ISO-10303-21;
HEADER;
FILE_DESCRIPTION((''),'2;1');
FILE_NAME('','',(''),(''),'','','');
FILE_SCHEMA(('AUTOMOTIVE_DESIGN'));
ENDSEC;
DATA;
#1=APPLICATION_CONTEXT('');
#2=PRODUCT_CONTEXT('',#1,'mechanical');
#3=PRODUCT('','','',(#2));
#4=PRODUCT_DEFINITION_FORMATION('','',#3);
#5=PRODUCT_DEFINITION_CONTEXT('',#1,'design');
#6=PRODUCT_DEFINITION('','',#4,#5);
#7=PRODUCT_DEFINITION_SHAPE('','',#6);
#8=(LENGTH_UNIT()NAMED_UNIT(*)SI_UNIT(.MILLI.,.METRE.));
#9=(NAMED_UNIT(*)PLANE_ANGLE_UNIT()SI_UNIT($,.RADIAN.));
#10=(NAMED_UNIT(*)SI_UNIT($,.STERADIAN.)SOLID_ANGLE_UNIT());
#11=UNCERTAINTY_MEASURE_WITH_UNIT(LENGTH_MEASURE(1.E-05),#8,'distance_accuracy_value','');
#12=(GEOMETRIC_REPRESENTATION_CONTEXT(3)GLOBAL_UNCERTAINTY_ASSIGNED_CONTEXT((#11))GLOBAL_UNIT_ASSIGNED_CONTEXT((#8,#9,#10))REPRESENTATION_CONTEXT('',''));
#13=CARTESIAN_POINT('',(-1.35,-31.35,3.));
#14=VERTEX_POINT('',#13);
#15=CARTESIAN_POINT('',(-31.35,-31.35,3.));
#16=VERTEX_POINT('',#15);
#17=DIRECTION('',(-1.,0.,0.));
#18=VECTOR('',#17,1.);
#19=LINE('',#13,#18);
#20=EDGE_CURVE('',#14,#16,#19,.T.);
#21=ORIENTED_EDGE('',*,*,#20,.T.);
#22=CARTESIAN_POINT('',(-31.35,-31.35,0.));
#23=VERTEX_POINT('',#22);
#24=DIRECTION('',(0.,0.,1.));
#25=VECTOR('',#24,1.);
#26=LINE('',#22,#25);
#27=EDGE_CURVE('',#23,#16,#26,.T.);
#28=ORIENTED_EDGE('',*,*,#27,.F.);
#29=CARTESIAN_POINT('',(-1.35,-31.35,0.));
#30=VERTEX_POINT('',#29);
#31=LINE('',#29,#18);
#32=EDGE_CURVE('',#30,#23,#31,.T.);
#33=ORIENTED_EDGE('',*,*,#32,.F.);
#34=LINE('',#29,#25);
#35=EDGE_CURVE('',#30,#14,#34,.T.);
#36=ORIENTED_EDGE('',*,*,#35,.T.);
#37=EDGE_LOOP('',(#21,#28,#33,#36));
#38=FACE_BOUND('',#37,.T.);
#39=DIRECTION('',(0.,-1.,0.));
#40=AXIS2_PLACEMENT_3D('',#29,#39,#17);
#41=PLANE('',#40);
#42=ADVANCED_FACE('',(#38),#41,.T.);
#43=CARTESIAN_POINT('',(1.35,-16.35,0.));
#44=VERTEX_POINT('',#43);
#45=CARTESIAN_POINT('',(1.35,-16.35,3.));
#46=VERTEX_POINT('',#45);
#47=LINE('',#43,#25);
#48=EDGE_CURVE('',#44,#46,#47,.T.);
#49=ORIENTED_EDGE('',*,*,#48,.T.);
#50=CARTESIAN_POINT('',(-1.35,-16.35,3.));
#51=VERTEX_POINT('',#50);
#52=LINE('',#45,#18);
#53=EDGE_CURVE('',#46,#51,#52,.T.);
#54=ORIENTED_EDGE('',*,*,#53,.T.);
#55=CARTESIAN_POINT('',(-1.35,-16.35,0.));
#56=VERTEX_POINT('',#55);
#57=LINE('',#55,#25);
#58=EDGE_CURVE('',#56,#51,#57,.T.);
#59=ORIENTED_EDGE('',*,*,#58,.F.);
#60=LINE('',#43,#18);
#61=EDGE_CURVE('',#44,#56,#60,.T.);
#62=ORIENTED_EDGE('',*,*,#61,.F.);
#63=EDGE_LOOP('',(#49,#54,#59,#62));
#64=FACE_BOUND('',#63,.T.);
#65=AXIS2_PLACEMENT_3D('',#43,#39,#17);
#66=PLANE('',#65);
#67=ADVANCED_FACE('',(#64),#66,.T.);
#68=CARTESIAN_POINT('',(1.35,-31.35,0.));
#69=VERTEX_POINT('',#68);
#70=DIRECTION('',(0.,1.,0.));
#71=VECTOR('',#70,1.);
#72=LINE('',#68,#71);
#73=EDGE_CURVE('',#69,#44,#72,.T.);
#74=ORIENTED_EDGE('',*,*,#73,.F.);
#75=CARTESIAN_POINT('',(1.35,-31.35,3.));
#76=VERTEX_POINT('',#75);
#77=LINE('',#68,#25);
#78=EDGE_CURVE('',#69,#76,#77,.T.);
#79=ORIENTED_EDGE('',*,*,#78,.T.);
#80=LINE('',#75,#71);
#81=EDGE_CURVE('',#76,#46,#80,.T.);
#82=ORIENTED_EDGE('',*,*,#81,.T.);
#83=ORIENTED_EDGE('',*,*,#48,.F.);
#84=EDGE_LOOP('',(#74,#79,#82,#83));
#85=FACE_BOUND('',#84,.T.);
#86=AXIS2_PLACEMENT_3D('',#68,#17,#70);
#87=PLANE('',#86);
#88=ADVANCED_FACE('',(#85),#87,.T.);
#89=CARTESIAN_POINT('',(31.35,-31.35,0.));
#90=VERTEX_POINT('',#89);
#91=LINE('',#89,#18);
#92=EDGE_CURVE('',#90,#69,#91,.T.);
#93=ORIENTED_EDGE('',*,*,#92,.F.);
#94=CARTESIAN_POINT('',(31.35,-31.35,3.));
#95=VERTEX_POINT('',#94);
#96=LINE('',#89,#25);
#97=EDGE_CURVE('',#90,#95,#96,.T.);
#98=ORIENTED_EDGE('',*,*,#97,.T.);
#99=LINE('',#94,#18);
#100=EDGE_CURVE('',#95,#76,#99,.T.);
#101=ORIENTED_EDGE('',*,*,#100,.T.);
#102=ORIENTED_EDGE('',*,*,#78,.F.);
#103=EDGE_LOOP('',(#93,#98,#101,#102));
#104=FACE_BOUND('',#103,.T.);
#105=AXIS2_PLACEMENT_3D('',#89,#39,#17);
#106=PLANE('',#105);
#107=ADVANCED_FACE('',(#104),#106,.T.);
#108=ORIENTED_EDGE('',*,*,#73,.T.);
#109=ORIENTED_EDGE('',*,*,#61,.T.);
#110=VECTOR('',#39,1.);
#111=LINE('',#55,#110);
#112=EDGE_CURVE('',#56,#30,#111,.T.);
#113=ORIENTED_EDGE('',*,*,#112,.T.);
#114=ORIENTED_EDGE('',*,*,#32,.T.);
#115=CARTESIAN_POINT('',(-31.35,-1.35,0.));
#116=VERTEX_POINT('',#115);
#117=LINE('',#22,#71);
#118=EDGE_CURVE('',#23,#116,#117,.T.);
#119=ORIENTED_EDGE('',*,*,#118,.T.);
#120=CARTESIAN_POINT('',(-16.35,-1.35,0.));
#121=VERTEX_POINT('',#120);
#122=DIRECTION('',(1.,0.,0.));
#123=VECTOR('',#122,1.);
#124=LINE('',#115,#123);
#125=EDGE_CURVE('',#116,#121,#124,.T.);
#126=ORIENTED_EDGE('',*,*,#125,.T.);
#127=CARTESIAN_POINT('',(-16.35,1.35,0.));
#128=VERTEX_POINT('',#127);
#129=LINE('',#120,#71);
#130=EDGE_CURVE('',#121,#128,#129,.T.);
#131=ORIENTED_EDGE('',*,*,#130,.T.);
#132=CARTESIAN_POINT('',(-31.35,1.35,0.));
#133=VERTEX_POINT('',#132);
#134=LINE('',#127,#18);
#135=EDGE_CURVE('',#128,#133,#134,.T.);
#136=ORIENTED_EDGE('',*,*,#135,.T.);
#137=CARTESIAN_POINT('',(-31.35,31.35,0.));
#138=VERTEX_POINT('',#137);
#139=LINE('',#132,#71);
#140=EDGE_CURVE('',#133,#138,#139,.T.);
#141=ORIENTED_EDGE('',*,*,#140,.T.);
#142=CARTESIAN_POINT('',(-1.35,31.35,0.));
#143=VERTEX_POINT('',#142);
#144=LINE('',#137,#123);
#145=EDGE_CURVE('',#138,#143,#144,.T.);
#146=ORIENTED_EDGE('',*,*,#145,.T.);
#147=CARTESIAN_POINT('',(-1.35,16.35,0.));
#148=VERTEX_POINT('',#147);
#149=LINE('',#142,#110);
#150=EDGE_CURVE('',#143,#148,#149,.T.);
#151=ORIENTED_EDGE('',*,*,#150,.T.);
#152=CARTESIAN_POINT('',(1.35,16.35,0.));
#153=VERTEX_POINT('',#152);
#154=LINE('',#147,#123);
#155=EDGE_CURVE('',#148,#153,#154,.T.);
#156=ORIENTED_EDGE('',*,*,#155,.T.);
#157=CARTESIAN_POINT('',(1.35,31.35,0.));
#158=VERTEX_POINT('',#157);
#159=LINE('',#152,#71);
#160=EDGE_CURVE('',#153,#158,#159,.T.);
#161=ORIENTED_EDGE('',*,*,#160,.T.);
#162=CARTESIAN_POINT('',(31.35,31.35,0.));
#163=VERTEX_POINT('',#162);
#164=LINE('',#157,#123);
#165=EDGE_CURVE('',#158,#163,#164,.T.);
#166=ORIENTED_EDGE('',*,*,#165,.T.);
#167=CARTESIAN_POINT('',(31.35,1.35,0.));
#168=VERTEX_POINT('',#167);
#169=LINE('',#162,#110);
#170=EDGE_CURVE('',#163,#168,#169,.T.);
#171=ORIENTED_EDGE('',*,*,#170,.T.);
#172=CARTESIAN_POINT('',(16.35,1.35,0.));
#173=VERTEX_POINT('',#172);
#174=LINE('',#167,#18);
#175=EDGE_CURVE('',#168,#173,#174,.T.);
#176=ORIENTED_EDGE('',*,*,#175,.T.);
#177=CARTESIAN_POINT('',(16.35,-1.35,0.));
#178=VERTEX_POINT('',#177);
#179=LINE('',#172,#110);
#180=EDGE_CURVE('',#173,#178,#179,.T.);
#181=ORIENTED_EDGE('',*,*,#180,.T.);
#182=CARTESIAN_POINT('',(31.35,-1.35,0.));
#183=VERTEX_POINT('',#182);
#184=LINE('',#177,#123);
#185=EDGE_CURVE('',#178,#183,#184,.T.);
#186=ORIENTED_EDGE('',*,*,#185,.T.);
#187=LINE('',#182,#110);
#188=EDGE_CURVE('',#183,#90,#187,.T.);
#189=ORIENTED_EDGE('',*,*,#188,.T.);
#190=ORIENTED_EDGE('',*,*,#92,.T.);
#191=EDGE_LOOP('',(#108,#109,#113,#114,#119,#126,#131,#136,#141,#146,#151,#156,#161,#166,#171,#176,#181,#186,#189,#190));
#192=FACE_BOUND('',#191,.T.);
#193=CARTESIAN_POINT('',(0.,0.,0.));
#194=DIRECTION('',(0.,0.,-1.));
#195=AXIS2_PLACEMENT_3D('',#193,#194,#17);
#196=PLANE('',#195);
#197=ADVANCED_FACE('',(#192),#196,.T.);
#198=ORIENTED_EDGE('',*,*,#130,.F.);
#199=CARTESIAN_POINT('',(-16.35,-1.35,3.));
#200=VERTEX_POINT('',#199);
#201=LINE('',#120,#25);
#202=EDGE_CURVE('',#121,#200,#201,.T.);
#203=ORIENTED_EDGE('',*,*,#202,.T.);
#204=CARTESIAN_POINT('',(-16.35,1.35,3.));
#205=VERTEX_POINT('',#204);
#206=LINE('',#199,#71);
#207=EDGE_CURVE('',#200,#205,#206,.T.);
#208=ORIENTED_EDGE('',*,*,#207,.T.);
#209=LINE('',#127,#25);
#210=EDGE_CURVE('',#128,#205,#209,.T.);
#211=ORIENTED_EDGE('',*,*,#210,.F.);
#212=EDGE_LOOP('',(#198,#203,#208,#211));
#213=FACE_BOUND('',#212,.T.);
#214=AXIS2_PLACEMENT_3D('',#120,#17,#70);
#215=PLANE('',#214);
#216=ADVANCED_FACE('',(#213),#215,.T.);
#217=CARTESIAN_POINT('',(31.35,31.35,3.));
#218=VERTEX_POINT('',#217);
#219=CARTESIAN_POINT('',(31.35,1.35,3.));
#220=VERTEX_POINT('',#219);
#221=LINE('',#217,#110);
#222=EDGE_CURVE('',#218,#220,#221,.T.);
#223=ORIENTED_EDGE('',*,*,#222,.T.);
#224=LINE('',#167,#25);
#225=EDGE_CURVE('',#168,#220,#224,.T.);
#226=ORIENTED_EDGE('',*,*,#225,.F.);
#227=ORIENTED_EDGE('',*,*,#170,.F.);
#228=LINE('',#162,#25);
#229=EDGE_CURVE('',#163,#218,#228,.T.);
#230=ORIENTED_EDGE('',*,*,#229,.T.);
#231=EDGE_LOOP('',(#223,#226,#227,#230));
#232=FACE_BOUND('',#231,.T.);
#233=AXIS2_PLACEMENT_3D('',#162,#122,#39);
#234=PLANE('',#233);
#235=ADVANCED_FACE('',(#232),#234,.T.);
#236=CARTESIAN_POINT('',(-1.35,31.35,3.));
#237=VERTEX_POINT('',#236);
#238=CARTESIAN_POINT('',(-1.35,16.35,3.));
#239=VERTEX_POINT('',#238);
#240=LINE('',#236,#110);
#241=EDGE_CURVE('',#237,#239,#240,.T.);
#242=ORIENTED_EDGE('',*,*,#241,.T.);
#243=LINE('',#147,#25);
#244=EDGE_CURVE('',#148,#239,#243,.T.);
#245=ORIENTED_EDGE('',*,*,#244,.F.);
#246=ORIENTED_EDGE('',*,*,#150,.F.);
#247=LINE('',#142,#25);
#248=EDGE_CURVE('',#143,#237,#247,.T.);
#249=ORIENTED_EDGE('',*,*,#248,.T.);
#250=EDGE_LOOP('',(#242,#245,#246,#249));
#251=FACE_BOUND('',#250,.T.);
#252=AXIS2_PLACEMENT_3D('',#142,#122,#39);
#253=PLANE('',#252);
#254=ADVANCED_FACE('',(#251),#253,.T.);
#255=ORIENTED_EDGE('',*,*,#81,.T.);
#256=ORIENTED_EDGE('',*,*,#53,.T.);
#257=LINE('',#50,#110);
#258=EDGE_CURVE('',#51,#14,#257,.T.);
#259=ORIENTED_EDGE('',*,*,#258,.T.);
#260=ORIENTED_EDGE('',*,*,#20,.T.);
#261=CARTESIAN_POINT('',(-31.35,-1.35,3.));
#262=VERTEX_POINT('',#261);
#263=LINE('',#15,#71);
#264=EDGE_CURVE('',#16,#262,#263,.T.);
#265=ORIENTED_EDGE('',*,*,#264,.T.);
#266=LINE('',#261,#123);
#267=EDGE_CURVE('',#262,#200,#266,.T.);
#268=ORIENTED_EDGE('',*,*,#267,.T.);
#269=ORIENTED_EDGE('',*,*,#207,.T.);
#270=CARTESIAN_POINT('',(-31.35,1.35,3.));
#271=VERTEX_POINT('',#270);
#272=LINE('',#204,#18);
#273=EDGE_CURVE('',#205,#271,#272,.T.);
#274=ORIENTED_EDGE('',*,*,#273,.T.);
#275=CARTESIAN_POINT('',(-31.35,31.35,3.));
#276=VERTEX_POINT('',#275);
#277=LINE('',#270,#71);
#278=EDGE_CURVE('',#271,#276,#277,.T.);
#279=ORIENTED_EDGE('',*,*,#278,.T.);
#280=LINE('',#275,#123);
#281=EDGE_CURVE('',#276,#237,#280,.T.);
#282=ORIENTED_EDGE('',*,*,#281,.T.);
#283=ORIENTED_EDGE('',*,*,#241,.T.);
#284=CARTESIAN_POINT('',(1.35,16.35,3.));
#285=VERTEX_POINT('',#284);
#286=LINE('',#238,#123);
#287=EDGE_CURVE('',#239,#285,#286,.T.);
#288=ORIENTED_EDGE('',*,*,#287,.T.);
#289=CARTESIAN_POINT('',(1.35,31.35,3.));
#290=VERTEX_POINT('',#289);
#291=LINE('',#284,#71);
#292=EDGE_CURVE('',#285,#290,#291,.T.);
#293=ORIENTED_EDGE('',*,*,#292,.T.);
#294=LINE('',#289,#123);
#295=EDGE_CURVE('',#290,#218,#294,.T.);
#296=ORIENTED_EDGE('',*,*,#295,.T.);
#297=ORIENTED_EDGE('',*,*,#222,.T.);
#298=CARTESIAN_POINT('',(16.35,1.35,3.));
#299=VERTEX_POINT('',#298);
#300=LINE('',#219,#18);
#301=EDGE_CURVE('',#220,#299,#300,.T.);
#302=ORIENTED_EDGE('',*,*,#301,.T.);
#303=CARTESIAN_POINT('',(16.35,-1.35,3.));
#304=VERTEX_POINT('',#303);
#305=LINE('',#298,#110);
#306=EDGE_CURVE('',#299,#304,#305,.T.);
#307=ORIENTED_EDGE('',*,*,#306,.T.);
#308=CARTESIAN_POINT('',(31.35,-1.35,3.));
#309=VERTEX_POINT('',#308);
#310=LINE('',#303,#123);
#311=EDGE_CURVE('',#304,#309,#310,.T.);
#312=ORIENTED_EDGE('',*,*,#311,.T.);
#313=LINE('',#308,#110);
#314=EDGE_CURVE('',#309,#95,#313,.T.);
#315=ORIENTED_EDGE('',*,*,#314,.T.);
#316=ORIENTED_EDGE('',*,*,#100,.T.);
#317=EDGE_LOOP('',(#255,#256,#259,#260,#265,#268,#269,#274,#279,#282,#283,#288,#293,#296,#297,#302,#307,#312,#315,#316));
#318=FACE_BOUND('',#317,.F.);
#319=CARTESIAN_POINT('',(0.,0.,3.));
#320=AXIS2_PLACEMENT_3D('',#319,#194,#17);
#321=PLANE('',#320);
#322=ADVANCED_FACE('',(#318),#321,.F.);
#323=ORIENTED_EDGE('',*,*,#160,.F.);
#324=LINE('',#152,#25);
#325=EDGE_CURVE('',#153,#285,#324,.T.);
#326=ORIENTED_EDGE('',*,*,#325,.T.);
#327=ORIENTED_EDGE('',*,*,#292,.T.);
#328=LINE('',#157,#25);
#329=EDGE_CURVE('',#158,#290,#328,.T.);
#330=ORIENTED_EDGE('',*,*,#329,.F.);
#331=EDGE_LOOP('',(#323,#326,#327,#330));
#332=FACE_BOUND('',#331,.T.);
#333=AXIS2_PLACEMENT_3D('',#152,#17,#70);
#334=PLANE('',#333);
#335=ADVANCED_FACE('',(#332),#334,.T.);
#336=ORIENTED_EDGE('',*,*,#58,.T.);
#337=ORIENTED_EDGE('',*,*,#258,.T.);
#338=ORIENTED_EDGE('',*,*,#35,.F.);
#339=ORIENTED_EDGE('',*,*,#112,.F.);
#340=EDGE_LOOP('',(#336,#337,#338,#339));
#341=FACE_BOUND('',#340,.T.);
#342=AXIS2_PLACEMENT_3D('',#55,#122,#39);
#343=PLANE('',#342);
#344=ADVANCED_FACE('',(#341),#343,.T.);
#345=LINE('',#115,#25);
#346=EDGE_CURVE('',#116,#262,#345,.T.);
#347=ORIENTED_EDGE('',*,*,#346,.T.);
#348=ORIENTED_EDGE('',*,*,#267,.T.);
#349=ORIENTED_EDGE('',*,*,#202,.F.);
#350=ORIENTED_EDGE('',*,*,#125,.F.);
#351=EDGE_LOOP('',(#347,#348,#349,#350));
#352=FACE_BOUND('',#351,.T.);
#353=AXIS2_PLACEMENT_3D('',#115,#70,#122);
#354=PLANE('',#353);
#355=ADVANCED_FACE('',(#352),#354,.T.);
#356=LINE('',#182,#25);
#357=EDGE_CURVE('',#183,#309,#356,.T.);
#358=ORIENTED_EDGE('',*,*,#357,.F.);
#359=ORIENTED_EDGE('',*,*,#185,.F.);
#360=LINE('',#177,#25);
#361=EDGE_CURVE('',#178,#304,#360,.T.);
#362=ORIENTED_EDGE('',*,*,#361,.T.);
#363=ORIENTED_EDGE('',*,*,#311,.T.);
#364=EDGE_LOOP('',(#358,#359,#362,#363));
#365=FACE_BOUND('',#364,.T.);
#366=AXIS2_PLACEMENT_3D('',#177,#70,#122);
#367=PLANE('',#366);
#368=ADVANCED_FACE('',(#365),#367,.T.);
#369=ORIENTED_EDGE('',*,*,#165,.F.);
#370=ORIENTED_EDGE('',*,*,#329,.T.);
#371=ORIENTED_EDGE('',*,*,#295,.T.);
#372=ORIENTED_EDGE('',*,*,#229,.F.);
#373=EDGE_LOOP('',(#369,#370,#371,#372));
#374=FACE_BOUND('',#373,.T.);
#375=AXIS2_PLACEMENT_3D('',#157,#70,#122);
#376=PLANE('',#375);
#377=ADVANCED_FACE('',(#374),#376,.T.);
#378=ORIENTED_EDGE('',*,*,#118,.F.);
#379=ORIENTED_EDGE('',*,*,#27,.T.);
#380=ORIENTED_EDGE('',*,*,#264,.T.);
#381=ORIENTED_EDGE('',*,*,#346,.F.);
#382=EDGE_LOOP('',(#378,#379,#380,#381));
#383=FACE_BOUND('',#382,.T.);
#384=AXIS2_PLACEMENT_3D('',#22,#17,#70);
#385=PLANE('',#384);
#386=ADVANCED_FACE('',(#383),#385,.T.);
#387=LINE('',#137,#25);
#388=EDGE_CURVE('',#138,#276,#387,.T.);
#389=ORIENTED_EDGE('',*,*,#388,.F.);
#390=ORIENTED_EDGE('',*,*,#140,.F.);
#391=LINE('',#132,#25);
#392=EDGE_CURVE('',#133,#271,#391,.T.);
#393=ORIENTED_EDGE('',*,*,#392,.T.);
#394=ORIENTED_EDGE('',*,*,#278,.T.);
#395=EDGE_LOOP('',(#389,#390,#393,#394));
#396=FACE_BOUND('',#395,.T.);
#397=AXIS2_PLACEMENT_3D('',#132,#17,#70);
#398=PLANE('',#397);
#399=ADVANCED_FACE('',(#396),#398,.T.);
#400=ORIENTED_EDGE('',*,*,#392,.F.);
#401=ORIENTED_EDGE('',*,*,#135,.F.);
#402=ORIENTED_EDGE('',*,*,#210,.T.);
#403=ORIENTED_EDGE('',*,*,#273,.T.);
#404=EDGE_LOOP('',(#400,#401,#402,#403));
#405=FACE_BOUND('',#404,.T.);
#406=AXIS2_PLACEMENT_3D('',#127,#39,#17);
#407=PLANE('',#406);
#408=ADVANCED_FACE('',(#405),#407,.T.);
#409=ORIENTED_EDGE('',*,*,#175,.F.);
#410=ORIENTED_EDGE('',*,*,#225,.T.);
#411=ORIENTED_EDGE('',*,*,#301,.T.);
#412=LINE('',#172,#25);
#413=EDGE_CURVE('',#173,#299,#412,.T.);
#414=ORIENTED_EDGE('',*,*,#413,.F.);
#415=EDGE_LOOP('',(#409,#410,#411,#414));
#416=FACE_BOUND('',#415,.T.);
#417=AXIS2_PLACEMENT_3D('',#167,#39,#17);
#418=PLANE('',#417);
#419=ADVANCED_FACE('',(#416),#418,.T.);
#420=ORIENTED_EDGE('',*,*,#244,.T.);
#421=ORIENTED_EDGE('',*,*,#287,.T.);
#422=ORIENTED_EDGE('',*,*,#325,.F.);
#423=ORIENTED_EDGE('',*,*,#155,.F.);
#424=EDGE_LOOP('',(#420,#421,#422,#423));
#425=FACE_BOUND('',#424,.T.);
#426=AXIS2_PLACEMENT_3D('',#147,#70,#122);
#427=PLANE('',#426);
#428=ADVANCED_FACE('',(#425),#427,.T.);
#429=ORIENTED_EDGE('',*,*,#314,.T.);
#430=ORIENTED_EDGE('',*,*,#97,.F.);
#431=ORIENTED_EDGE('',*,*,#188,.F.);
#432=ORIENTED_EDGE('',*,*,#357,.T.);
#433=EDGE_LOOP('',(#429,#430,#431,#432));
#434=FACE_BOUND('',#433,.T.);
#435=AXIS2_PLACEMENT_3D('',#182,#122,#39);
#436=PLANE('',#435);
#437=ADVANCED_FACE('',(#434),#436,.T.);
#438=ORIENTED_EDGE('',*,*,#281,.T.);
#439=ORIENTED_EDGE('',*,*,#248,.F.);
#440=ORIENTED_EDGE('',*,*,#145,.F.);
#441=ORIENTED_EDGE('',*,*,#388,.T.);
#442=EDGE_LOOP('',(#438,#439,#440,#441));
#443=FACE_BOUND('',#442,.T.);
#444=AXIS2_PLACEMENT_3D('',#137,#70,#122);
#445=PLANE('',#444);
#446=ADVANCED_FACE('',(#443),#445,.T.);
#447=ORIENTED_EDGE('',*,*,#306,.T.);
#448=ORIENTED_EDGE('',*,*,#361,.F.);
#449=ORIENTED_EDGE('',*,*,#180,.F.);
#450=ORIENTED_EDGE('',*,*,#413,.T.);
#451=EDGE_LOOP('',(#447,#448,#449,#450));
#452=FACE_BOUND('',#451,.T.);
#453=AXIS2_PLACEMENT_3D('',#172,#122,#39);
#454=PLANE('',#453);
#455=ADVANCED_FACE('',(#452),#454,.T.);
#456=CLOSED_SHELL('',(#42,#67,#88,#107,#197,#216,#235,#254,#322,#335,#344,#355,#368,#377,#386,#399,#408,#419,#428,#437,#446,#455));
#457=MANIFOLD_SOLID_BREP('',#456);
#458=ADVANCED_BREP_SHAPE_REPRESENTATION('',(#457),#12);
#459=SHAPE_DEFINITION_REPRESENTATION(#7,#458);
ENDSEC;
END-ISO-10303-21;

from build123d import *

# Parameters (mm, degrees)
PAD_DEPTH = 3


with BuildPart() as part:
    # Sketch → Pad (new body)
    with BuildSketch(Plane.XY):
        Polygon((1.35, 31.35), (31.35, 31.35), (31.35, 1.35), (16.35, 1.35), (16.35, -1.35), (31.35, -1.35), (31.35, -31.35), (1.35, -31.35), (1.35, -16.35), (-1.35, -16.35), (-1.35, -31.35), (-31.35, -31.35), (-31.35, -1.35), (-16.35, -1.35), (-16.35, 1.35), (-31.35, 1.35), (-31.35, 31.35), (-1.35, 31.35), (-1.35, 16.35), (1.35, 16.35), align=None)
    extrude(amount=PAD_DEPTH)


solid = part.part
